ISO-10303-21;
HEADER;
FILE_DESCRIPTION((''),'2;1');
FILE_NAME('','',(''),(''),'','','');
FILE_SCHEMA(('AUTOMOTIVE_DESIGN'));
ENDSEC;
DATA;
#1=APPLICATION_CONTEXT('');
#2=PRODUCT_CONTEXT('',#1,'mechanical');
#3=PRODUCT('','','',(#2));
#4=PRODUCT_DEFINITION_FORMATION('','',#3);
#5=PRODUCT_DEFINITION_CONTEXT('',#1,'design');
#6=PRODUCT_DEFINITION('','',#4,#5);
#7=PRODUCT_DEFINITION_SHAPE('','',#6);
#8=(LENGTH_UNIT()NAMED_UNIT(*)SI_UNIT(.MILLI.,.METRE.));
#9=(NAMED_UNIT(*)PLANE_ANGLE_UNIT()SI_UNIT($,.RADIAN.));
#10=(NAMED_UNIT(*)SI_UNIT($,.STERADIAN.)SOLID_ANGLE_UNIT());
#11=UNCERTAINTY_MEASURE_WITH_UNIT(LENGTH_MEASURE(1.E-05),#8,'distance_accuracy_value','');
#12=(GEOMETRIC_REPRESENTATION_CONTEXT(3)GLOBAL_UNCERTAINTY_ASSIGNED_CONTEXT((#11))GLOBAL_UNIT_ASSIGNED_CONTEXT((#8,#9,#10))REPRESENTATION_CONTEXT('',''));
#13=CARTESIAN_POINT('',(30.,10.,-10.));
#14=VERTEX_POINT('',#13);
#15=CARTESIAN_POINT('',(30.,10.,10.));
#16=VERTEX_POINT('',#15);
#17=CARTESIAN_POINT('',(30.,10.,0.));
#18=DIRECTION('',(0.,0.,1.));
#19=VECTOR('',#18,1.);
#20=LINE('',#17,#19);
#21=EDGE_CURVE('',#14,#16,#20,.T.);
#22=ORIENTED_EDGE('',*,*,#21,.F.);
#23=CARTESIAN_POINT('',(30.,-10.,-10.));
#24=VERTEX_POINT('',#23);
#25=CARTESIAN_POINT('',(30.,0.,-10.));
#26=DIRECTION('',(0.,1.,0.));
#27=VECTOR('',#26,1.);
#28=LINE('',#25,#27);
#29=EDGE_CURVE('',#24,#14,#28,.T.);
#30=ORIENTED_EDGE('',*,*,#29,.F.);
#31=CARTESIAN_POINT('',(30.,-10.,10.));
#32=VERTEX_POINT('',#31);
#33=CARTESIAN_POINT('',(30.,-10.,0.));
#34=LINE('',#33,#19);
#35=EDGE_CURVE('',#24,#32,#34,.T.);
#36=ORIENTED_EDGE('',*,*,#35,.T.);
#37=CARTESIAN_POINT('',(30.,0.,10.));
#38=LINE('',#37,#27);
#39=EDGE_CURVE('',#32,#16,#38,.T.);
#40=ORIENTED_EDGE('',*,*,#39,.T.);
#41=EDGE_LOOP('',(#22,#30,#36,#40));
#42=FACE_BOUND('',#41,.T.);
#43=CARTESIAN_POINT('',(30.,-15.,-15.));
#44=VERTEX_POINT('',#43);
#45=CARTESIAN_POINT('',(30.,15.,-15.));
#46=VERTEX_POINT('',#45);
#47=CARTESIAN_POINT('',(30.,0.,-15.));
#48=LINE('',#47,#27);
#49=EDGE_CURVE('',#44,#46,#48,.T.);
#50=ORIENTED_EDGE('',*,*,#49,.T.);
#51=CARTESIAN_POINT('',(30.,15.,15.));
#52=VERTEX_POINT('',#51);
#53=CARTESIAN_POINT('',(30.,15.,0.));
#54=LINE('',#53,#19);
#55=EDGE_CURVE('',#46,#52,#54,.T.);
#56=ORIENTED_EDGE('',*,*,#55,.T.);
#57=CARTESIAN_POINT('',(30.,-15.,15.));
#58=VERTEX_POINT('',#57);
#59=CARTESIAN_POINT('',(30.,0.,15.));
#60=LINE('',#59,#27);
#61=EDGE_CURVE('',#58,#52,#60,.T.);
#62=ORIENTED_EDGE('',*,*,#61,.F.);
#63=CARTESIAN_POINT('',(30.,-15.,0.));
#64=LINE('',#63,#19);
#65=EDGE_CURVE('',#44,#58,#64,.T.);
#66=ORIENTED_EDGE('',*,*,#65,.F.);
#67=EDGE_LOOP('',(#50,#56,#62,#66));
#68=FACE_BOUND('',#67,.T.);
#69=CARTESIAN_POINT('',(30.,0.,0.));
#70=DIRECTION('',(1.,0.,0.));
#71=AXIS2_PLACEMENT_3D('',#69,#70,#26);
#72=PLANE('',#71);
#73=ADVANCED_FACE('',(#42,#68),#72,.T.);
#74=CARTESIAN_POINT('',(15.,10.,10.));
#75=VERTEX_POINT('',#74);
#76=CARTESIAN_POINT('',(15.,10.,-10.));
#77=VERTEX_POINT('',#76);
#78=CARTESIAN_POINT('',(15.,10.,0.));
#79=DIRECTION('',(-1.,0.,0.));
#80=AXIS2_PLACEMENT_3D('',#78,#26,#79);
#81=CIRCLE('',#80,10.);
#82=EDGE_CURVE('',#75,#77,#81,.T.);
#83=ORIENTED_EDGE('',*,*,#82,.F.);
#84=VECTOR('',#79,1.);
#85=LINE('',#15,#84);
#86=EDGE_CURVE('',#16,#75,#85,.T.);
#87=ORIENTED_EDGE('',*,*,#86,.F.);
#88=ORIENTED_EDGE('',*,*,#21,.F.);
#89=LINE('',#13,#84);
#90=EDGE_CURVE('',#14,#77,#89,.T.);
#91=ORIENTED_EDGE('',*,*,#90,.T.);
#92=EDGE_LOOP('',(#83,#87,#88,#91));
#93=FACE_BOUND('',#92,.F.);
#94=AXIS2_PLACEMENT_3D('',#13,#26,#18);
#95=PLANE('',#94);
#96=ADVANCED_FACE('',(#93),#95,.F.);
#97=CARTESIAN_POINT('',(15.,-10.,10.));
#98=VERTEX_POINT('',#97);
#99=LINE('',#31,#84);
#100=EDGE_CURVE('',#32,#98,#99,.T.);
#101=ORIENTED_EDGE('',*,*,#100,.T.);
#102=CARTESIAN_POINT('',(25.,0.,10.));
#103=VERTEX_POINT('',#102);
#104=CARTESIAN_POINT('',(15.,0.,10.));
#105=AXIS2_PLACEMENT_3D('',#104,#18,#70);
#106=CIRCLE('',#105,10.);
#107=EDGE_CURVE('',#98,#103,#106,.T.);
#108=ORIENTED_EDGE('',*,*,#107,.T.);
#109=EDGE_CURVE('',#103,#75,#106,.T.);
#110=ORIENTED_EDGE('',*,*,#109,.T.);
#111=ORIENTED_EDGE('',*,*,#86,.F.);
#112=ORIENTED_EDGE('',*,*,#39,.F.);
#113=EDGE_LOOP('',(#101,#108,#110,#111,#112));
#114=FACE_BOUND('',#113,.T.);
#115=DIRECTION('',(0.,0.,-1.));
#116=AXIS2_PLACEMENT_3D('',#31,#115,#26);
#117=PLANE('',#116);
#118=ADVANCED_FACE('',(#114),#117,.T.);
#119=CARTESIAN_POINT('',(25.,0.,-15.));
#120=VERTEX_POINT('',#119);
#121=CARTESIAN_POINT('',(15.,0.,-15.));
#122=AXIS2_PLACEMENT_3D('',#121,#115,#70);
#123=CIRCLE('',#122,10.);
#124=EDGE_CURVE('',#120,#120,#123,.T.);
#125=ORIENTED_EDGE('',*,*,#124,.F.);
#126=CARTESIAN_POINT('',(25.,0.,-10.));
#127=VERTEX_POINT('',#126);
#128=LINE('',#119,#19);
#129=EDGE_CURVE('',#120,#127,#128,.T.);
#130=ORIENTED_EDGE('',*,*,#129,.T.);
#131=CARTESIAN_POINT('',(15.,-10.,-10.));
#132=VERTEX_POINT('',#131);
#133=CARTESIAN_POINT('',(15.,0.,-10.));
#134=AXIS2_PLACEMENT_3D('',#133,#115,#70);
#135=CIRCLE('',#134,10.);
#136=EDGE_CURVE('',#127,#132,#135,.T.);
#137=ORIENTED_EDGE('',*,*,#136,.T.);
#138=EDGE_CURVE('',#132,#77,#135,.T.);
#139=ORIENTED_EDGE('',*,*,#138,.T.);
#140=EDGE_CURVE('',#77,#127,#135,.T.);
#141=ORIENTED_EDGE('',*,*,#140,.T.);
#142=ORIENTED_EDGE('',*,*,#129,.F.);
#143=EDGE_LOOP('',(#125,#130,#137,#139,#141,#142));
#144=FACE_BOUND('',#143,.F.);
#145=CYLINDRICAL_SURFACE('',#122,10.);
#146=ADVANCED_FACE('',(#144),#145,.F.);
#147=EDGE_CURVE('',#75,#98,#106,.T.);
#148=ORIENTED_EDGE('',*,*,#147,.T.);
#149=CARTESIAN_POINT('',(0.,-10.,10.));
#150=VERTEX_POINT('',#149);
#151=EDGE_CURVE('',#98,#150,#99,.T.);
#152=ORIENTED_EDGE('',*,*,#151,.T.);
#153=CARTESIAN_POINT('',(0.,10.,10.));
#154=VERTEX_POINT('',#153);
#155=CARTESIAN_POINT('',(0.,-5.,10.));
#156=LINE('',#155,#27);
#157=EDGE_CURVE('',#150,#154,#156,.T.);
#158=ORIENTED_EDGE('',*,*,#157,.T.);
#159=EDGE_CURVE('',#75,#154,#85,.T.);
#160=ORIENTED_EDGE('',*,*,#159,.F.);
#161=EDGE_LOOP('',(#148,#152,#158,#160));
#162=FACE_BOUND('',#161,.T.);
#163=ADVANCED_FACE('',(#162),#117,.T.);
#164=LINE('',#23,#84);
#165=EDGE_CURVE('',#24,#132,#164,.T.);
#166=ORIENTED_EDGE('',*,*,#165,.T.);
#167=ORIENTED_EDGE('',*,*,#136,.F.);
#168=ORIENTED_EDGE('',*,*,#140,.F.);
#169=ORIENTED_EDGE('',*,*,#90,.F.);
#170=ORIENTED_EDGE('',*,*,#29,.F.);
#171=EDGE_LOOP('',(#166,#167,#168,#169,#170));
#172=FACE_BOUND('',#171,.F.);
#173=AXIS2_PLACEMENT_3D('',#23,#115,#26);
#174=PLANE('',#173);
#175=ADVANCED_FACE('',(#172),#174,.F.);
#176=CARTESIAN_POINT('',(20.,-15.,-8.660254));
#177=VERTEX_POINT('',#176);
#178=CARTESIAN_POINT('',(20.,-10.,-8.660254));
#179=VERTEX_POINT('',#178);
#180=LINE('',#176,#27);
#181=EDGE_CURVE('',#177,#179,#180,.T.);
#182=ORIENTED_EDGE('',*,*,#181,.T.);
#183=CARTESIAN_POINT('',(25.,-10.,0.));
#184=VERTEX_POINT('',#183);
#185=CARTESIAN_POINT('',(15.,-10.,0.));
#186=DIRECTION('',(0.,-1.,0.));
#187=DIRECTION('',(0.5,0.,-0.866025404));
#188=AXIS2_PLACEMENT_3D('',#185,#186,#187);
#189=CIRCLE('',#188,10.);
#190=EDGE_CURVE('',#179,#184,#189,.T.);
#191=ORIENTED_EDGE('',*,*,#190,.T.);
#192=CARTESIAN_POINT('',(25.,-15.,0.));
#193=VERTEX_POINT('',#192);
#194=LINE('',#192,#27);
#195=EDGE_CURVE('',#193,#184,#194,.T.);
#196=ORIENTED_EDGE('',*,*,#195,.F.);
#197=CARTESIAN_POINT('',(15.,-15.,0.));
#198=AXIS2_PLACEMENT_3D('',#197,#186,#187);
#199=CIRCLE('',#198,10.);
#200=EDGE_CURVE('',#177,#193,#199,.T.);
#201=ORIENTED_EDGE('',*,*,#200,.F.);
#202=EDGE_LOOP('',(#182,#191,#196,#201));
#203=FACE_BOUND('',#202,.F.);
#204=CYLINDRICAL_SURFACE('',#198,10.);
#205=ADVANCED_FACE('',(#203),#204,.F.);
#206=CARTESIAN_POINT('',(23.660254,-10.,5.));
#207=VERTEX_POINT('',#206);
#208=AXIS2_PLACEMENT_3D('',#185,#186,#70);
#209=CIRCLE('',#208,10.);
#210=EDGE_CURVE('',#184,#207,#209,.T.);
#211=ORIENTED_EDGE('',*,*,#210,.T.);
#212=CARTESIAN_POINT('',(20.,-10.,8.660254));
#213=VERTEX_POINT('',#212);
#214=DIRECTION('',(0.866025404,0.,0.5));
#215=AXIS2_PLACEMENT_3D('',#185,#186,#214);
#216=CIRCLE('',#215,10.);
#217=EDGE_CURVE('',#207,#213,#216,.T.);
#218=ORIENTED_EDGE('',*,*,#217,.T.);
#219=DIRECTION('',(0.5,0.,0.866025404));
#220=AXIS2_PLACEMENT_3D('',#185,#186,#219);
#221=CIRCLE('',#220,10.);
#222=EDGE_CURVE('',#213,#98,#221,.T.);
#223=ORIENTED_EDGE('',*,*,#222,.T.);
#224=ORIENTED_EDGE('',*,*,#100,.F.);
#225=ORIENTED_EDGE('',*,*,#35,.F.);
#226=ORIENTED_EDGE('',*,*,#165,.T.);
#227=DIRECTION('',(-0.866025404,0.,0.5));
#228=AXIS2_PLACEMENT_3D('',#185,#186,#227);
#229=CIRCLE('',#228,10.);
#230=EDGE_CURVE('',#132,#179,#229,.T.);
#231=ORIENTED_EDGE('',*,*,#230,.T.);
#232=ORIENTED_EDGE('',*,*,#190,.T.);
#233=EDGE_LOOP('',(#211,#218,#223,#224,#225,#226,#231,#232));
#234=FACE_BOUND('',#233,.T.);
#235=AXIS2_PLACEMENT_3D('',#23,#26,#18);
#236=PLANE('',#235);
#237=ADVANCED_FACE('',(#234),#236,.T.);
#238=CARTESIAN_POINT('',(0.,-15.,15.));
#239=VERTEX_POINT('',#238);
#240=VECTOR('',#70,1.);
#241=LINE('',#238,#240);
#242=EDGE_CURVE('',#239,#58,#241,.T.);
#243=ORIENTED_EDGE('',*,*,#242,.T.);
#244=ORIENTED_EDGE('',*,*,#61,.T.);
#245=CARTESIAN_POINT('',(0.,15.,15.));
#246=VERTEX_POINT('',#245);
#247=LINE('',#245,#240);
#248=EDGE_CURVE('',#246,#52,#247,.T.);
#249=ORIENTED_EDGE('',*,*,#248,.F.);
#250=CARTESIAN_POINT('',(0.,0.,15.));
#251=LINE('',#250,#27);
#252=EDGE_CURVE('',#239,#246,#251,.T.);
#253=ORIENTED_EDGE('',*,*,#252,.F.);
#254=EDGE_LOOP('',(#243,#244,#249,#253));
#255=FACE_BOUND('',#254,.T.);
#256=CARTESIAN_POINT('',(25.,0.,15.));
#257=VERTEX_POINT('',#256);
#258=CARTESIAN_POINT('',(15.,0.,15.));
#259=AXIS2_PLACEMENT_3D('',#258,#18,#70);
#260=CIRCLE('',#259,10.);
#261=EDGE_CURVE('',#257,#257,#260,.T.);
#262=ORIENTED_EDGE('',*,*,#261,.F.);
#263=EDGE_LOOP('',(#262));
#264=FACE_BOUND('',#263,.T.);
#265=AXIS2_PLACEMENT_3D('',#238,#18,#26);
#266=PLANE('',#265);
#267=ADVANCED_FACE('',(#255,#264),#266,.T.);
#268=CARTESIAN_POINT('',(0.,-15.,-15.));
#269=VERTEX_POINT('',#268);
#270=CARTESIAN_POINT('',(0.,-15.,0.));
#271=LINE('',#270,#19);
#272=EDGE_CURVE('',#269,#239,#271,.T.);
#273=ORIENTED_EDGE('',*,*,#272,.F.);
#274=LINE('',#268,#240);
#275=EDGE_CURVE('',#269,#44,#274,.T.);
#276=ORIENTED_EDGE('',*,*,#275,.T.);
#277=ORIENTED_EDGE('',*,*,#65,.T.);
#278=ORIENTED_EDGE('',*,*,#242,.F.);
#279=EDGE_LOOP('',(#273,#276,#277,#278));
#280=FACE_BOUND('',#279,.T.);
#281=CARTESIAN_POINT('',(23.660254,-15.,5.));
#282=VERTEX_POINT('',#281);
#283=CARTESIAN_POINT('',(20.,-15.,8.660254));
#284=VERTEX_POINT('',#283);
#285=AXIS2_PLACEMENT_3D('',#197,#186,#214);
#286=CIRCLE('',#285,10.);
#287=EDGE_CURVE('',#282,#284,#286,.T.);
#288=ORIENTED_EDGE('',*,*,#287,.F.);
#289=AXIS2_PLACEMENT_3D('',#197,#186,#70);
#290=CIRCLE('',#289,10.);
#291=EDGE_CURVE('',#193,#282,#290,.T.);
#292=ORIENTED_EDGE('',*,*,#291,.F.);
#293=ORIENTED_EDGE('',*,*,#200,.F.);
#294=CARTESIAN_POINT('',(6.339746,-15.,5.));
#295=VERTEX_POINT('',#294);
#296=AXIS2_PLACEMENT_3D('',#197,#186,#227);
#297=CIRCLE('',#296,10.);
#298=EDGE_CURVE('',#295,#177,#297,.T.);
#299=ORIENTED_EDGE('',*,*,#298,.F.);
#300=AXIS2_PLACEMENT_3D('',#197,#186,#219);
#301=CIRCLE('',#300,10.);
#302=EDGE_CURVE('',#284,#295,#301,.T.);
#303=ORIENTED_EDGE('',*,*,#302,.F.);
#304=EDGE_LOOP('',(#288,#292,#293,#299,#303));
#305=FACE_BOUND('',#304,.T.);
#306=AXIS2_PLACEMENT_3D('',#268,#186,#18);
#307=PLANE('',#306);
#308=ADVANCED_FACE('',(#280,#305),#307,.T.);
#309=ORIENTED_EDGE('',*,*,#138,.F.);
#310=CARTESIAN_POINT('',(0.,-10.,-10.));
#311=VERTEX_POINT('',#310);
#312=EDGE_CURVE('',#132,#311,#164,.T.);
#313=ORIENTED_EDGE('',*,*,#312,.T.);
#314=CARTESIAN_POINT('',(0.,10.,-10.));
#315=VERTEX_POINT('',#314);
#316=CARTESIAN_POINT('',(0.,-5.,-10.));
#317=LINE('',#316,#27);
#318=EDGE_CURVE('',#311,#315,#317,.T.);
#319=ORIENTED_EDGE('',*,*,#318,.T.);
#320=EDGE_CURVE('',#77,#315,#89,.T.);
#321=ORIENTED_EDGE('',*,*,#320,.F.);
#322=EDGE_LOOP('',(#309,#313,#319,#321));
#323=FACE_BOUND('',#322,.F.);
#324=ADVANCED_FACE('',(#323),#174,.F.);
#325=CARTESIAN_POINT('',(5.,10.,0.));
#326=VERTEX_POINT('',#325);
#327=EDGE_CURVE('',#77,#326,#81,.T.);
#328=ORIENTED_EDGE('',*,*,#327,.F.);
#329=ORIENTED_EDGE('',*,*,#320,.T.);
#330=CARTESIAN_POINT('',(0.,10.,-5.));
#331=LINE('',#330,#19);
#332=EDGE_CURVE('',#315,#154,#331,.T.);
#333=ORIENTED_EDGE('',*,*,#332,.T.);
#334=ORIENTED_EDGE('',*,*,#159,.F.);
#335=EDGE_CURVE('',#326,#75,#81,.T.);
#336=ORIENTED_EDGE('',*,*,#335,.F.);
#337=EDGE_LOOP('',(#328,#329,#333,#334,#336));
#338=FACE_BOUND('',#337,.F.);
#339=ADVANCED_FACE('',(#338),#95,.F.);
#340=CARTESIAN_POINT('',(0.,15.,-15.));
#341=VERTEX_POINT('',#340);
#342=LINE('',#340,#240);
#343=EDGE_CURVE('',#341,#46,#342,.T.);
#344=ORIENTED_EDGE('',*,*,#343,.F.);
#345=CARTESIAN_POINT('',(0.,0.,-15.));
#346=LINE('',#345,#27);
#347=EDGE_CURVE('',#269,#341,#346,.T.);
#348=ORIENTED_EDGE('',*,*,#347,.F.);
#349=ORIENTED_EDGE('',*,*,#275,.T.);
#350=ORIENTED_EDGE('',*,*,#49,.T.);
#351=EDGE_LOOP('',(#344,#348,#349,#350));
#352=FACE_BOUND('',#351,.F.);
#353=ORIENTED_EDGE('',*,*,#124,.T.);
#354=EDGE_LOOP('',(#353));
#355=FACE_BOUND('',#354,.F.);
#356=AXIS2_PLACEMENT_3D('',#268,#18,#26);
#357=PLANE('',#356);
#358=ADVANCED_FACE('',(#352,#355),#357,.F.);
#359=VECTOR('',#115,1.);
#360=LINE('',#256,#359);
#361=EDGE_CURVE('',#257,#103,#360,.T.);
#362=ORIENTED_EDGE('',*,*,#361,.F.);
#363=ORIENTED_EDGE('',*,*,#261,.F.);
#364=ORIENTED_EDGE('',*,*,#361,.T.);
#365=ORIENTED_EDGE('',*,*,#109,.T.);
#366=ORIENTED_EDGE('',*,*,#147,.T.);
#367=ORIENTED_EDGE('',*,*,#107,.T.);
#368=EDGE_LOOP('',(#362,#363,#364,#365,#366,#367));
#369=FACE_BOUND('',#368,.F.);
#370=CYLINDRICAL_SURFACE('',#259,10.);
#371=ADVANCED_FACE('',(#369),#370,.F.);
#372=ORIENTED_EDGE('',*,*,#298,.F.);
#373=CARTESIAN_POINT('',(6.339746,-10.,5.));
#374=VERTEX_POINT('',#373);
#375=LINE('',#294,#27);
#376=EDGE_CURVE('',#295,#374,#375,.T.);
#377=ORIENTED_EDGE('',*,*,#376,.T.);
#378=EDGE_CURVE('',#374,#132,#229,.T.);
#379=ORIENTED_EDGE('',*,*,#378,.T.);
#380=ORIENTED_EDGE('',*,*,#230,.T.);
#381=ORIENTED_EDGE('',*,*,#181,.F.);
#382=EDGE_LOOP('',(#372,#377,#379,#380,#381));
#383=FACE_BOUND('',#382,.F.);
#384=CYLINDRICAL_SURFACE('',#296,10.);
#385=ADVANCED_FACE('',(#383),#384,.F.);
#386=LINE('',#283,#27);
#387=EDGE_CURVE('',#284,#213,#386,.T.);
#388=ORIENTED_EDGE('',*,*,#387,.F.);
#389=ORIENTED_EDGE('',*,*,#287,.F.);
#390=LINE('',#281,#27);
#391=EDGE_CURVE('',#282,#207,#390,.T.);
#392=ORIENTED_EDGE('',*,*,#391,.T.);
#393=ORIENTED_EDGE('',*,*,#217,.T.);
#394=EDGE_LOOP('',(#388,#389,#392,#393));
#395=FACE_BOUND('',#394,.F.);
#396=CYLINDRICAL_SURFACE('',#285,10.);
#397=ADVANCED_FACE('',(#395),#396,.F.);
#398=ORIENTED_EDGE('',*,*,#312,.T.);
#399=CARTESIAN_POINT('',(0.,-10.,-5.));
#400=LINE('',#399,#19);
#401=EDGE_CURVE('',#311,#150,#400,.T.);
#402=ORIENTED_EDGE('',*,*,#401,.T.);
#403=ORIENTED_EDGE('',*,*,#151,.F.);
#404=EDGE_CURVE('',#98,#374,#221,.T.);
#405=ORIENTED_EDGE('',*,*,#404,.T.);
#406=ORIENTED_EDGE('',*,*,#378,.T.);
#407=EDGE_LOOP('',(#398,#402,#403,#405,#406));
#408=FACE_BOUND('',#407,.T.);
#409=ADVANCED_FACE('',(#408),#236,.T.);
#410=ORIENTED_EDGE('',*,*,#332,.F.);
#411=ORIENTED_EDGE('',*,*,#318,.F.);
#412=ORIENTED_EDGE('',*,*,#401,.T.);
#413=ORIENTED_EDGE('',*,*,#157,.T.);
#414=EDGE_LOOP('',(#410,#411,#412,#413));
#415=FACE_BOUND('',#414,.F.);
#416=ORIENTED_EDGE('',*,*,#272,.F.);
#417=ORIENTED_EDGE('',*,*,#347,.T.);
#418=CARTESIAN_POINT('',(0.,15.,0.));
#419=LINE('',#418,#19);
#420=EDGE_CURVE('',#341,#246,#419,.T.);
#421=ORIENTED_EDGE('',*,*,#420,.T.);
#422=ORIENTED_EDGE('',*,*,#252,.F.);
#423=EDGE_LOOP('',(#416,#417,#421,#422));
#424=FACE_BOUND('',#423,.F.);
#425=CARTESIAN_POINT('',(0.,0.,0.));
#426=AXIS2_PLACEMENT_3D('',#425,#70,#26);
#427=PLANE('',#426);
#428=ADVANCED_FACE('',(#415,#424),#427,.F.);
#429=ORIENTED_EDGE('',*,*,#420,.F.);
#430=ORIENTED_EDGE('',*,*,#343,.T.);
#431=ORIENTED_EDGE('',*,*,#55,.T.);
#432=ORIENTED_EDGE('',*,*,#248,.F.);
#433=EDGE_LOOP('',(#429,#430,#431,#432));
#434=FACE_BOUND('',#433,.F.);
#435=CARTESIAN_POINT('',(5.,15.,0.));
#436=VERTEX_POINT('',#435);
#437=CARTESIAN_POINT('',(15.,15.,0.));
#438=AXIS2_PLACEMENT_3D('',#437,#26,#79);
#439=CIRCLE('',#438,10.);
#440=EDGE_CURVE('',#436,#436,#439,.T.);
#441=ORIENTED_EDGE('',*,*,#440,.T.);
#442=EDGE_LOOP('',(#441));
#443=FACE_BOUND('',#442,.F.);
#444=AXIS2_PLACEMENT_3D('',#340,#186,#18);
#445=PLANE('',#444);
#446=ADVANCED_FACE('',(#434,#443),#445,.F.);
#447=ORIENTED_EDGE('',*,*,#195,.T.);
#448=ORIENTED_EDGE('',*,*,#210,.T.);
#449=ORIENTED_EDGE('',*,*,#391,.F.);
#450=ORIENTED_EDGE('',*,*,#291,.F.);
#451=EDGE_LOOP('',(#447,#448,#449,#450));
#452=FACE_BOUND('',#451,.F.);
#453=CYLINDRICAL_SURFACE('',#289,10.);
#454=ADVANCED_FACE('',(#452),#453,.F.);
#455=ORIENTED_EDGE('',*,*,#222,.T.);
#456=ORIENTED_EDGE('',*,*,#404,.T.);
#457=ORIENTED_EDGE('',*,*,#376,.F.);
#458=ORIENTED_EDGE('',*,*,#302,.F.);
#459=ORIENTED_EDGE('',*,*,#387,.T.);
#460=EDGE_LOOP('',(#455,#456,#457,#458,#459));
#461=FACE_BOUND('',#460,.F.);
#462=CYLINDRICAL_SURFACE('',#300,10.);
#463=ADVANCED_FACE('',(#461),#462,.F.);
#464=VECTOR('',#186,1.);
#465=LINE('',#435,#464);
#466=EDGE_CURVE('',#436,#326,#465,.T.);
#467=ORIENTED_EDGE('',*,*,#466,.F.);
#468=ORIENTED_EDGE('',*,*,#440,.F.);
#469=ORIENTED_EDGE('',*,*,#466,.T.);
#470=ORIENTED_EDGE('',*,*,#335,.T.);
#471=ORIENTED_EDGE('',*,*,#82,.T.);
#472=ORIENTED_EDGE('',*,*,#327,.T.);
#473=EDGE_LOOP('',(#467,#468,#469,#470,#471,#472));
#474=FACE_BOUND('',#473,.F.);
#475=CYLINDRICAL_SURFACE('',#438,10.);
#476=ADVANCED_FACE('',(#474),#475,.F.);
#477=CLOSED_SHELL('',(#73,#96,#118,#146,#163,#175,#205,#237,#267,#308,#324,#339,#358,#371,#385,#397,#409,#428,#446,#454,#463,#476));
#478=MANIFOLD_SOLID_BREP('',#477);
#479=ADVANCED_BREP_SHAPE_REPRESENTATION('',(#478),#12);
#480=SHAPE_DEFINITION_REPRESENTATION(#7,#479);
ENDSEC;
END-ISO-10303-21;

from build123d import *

# Parameters (mm, degrees)
F0_W      = 30
F0_H      = 30
F1_DEPTH  = 30
F2_W      = 20
F2_H      = 20
F3_DEPTH  = 30.001
F5_DEPTH  = 5
F6_R      = 10
F7_DEPTH  = 5
F8_R      = 10
F9_DEPTH  = 5
F10_R     = 10
F11_DEPTH = 5


with BuildPart() as f1:
    # F0 (on Right) → F1 (new body)
    with BuildSketch(Plane.YZ):
        Rectangle(F0_W, F0_H)
    extrude(amount=F1_DEPTH)

    # F2 (on face) → F3 (cut, through all)
    with BuildSketch(Plane.YZ.offset(30)):
        Rectangle(F2_W, F2_H)
    extrude(amount=-F3_DEPTH, mode=Mode.SUBTRACT)

    # F4 (on face) → F5 (cut, through all)
    with BuildSketch(Plane.XZ.offset(15)):
        with BuildLine():
            Line((20, 5), (23.6602540378, 5))
            ThreePointArc((23.6602540378, 5), (22.0710678119, 7.0710678119), (20, 8.6602540378))
            Line((20, 8.6602540378), (20, 5))
        make_face()
        with BuildLine():
            Line((20, 5), (20, 8.6602540378))
            ThreePointArc((20, 8.6602540378), (12.411809549, 9.6592582629), (6.3397459622, 5))
            Line((6.3397459622, 5), (20, 5))
        make_face()
        with BuildLine():
            ThreePointArc((6.3397459622, 5), (7.9289321881, -7.0710678119), (20, -8.6602540378))
            Line((20, -8.6602540378), (20, 5))
            Line((20, 5), (6.3397459622, 5))
        make_face()
        with BuildLine():
            ThreePointArc((20, -8.6602540378), (23.6602540378, -5), (25, 0))
            ThreePointArc((25, 0), (24.6592582629, 2.588190451), (23.6602540378, 5))
            Line((23.6602540378, 5), (20, 5))
            Line((20, 5), (20, -8.6602540378))
        make_face()
    extrude(amount=-F5_DEPTH, mode=Mode.SUBTRACT)

    # F6 (on face) → F7 (cut, through all)
    with BuildSketch(Plane.XY.offset(15)):
        with Locations((15, 0)):
            Circle(F6_R)
    extrude(amount=-F7_DEPTH, mode=Mode.SUBTRACT)

    # F8 (on face) → F9 (cut, through all)
    with BuildSketch(Plane(origin=(0, 15, 0), x_dir=(-1, 0, 0), z_dir=(0, 1, 0))):
        with Locations((-15, 0)):
            Circle(F8_R)
    extrude(amount=-F9_DEPTH, mode=Mode.SUBTRACT)

    # F10 (on face) → F11 (cut, through all)
    with BuildSketch(Plane(origin=(0, 0, -15), x_dir=(1, 0, 0), z_dir=(0, 0, -1))):
        with Locations((15, 0)):
            Circle(F10_R)
    extrude(amount=-F11_DEPTH, mode=Mode.SUBTRACT)


solid = f1.part
